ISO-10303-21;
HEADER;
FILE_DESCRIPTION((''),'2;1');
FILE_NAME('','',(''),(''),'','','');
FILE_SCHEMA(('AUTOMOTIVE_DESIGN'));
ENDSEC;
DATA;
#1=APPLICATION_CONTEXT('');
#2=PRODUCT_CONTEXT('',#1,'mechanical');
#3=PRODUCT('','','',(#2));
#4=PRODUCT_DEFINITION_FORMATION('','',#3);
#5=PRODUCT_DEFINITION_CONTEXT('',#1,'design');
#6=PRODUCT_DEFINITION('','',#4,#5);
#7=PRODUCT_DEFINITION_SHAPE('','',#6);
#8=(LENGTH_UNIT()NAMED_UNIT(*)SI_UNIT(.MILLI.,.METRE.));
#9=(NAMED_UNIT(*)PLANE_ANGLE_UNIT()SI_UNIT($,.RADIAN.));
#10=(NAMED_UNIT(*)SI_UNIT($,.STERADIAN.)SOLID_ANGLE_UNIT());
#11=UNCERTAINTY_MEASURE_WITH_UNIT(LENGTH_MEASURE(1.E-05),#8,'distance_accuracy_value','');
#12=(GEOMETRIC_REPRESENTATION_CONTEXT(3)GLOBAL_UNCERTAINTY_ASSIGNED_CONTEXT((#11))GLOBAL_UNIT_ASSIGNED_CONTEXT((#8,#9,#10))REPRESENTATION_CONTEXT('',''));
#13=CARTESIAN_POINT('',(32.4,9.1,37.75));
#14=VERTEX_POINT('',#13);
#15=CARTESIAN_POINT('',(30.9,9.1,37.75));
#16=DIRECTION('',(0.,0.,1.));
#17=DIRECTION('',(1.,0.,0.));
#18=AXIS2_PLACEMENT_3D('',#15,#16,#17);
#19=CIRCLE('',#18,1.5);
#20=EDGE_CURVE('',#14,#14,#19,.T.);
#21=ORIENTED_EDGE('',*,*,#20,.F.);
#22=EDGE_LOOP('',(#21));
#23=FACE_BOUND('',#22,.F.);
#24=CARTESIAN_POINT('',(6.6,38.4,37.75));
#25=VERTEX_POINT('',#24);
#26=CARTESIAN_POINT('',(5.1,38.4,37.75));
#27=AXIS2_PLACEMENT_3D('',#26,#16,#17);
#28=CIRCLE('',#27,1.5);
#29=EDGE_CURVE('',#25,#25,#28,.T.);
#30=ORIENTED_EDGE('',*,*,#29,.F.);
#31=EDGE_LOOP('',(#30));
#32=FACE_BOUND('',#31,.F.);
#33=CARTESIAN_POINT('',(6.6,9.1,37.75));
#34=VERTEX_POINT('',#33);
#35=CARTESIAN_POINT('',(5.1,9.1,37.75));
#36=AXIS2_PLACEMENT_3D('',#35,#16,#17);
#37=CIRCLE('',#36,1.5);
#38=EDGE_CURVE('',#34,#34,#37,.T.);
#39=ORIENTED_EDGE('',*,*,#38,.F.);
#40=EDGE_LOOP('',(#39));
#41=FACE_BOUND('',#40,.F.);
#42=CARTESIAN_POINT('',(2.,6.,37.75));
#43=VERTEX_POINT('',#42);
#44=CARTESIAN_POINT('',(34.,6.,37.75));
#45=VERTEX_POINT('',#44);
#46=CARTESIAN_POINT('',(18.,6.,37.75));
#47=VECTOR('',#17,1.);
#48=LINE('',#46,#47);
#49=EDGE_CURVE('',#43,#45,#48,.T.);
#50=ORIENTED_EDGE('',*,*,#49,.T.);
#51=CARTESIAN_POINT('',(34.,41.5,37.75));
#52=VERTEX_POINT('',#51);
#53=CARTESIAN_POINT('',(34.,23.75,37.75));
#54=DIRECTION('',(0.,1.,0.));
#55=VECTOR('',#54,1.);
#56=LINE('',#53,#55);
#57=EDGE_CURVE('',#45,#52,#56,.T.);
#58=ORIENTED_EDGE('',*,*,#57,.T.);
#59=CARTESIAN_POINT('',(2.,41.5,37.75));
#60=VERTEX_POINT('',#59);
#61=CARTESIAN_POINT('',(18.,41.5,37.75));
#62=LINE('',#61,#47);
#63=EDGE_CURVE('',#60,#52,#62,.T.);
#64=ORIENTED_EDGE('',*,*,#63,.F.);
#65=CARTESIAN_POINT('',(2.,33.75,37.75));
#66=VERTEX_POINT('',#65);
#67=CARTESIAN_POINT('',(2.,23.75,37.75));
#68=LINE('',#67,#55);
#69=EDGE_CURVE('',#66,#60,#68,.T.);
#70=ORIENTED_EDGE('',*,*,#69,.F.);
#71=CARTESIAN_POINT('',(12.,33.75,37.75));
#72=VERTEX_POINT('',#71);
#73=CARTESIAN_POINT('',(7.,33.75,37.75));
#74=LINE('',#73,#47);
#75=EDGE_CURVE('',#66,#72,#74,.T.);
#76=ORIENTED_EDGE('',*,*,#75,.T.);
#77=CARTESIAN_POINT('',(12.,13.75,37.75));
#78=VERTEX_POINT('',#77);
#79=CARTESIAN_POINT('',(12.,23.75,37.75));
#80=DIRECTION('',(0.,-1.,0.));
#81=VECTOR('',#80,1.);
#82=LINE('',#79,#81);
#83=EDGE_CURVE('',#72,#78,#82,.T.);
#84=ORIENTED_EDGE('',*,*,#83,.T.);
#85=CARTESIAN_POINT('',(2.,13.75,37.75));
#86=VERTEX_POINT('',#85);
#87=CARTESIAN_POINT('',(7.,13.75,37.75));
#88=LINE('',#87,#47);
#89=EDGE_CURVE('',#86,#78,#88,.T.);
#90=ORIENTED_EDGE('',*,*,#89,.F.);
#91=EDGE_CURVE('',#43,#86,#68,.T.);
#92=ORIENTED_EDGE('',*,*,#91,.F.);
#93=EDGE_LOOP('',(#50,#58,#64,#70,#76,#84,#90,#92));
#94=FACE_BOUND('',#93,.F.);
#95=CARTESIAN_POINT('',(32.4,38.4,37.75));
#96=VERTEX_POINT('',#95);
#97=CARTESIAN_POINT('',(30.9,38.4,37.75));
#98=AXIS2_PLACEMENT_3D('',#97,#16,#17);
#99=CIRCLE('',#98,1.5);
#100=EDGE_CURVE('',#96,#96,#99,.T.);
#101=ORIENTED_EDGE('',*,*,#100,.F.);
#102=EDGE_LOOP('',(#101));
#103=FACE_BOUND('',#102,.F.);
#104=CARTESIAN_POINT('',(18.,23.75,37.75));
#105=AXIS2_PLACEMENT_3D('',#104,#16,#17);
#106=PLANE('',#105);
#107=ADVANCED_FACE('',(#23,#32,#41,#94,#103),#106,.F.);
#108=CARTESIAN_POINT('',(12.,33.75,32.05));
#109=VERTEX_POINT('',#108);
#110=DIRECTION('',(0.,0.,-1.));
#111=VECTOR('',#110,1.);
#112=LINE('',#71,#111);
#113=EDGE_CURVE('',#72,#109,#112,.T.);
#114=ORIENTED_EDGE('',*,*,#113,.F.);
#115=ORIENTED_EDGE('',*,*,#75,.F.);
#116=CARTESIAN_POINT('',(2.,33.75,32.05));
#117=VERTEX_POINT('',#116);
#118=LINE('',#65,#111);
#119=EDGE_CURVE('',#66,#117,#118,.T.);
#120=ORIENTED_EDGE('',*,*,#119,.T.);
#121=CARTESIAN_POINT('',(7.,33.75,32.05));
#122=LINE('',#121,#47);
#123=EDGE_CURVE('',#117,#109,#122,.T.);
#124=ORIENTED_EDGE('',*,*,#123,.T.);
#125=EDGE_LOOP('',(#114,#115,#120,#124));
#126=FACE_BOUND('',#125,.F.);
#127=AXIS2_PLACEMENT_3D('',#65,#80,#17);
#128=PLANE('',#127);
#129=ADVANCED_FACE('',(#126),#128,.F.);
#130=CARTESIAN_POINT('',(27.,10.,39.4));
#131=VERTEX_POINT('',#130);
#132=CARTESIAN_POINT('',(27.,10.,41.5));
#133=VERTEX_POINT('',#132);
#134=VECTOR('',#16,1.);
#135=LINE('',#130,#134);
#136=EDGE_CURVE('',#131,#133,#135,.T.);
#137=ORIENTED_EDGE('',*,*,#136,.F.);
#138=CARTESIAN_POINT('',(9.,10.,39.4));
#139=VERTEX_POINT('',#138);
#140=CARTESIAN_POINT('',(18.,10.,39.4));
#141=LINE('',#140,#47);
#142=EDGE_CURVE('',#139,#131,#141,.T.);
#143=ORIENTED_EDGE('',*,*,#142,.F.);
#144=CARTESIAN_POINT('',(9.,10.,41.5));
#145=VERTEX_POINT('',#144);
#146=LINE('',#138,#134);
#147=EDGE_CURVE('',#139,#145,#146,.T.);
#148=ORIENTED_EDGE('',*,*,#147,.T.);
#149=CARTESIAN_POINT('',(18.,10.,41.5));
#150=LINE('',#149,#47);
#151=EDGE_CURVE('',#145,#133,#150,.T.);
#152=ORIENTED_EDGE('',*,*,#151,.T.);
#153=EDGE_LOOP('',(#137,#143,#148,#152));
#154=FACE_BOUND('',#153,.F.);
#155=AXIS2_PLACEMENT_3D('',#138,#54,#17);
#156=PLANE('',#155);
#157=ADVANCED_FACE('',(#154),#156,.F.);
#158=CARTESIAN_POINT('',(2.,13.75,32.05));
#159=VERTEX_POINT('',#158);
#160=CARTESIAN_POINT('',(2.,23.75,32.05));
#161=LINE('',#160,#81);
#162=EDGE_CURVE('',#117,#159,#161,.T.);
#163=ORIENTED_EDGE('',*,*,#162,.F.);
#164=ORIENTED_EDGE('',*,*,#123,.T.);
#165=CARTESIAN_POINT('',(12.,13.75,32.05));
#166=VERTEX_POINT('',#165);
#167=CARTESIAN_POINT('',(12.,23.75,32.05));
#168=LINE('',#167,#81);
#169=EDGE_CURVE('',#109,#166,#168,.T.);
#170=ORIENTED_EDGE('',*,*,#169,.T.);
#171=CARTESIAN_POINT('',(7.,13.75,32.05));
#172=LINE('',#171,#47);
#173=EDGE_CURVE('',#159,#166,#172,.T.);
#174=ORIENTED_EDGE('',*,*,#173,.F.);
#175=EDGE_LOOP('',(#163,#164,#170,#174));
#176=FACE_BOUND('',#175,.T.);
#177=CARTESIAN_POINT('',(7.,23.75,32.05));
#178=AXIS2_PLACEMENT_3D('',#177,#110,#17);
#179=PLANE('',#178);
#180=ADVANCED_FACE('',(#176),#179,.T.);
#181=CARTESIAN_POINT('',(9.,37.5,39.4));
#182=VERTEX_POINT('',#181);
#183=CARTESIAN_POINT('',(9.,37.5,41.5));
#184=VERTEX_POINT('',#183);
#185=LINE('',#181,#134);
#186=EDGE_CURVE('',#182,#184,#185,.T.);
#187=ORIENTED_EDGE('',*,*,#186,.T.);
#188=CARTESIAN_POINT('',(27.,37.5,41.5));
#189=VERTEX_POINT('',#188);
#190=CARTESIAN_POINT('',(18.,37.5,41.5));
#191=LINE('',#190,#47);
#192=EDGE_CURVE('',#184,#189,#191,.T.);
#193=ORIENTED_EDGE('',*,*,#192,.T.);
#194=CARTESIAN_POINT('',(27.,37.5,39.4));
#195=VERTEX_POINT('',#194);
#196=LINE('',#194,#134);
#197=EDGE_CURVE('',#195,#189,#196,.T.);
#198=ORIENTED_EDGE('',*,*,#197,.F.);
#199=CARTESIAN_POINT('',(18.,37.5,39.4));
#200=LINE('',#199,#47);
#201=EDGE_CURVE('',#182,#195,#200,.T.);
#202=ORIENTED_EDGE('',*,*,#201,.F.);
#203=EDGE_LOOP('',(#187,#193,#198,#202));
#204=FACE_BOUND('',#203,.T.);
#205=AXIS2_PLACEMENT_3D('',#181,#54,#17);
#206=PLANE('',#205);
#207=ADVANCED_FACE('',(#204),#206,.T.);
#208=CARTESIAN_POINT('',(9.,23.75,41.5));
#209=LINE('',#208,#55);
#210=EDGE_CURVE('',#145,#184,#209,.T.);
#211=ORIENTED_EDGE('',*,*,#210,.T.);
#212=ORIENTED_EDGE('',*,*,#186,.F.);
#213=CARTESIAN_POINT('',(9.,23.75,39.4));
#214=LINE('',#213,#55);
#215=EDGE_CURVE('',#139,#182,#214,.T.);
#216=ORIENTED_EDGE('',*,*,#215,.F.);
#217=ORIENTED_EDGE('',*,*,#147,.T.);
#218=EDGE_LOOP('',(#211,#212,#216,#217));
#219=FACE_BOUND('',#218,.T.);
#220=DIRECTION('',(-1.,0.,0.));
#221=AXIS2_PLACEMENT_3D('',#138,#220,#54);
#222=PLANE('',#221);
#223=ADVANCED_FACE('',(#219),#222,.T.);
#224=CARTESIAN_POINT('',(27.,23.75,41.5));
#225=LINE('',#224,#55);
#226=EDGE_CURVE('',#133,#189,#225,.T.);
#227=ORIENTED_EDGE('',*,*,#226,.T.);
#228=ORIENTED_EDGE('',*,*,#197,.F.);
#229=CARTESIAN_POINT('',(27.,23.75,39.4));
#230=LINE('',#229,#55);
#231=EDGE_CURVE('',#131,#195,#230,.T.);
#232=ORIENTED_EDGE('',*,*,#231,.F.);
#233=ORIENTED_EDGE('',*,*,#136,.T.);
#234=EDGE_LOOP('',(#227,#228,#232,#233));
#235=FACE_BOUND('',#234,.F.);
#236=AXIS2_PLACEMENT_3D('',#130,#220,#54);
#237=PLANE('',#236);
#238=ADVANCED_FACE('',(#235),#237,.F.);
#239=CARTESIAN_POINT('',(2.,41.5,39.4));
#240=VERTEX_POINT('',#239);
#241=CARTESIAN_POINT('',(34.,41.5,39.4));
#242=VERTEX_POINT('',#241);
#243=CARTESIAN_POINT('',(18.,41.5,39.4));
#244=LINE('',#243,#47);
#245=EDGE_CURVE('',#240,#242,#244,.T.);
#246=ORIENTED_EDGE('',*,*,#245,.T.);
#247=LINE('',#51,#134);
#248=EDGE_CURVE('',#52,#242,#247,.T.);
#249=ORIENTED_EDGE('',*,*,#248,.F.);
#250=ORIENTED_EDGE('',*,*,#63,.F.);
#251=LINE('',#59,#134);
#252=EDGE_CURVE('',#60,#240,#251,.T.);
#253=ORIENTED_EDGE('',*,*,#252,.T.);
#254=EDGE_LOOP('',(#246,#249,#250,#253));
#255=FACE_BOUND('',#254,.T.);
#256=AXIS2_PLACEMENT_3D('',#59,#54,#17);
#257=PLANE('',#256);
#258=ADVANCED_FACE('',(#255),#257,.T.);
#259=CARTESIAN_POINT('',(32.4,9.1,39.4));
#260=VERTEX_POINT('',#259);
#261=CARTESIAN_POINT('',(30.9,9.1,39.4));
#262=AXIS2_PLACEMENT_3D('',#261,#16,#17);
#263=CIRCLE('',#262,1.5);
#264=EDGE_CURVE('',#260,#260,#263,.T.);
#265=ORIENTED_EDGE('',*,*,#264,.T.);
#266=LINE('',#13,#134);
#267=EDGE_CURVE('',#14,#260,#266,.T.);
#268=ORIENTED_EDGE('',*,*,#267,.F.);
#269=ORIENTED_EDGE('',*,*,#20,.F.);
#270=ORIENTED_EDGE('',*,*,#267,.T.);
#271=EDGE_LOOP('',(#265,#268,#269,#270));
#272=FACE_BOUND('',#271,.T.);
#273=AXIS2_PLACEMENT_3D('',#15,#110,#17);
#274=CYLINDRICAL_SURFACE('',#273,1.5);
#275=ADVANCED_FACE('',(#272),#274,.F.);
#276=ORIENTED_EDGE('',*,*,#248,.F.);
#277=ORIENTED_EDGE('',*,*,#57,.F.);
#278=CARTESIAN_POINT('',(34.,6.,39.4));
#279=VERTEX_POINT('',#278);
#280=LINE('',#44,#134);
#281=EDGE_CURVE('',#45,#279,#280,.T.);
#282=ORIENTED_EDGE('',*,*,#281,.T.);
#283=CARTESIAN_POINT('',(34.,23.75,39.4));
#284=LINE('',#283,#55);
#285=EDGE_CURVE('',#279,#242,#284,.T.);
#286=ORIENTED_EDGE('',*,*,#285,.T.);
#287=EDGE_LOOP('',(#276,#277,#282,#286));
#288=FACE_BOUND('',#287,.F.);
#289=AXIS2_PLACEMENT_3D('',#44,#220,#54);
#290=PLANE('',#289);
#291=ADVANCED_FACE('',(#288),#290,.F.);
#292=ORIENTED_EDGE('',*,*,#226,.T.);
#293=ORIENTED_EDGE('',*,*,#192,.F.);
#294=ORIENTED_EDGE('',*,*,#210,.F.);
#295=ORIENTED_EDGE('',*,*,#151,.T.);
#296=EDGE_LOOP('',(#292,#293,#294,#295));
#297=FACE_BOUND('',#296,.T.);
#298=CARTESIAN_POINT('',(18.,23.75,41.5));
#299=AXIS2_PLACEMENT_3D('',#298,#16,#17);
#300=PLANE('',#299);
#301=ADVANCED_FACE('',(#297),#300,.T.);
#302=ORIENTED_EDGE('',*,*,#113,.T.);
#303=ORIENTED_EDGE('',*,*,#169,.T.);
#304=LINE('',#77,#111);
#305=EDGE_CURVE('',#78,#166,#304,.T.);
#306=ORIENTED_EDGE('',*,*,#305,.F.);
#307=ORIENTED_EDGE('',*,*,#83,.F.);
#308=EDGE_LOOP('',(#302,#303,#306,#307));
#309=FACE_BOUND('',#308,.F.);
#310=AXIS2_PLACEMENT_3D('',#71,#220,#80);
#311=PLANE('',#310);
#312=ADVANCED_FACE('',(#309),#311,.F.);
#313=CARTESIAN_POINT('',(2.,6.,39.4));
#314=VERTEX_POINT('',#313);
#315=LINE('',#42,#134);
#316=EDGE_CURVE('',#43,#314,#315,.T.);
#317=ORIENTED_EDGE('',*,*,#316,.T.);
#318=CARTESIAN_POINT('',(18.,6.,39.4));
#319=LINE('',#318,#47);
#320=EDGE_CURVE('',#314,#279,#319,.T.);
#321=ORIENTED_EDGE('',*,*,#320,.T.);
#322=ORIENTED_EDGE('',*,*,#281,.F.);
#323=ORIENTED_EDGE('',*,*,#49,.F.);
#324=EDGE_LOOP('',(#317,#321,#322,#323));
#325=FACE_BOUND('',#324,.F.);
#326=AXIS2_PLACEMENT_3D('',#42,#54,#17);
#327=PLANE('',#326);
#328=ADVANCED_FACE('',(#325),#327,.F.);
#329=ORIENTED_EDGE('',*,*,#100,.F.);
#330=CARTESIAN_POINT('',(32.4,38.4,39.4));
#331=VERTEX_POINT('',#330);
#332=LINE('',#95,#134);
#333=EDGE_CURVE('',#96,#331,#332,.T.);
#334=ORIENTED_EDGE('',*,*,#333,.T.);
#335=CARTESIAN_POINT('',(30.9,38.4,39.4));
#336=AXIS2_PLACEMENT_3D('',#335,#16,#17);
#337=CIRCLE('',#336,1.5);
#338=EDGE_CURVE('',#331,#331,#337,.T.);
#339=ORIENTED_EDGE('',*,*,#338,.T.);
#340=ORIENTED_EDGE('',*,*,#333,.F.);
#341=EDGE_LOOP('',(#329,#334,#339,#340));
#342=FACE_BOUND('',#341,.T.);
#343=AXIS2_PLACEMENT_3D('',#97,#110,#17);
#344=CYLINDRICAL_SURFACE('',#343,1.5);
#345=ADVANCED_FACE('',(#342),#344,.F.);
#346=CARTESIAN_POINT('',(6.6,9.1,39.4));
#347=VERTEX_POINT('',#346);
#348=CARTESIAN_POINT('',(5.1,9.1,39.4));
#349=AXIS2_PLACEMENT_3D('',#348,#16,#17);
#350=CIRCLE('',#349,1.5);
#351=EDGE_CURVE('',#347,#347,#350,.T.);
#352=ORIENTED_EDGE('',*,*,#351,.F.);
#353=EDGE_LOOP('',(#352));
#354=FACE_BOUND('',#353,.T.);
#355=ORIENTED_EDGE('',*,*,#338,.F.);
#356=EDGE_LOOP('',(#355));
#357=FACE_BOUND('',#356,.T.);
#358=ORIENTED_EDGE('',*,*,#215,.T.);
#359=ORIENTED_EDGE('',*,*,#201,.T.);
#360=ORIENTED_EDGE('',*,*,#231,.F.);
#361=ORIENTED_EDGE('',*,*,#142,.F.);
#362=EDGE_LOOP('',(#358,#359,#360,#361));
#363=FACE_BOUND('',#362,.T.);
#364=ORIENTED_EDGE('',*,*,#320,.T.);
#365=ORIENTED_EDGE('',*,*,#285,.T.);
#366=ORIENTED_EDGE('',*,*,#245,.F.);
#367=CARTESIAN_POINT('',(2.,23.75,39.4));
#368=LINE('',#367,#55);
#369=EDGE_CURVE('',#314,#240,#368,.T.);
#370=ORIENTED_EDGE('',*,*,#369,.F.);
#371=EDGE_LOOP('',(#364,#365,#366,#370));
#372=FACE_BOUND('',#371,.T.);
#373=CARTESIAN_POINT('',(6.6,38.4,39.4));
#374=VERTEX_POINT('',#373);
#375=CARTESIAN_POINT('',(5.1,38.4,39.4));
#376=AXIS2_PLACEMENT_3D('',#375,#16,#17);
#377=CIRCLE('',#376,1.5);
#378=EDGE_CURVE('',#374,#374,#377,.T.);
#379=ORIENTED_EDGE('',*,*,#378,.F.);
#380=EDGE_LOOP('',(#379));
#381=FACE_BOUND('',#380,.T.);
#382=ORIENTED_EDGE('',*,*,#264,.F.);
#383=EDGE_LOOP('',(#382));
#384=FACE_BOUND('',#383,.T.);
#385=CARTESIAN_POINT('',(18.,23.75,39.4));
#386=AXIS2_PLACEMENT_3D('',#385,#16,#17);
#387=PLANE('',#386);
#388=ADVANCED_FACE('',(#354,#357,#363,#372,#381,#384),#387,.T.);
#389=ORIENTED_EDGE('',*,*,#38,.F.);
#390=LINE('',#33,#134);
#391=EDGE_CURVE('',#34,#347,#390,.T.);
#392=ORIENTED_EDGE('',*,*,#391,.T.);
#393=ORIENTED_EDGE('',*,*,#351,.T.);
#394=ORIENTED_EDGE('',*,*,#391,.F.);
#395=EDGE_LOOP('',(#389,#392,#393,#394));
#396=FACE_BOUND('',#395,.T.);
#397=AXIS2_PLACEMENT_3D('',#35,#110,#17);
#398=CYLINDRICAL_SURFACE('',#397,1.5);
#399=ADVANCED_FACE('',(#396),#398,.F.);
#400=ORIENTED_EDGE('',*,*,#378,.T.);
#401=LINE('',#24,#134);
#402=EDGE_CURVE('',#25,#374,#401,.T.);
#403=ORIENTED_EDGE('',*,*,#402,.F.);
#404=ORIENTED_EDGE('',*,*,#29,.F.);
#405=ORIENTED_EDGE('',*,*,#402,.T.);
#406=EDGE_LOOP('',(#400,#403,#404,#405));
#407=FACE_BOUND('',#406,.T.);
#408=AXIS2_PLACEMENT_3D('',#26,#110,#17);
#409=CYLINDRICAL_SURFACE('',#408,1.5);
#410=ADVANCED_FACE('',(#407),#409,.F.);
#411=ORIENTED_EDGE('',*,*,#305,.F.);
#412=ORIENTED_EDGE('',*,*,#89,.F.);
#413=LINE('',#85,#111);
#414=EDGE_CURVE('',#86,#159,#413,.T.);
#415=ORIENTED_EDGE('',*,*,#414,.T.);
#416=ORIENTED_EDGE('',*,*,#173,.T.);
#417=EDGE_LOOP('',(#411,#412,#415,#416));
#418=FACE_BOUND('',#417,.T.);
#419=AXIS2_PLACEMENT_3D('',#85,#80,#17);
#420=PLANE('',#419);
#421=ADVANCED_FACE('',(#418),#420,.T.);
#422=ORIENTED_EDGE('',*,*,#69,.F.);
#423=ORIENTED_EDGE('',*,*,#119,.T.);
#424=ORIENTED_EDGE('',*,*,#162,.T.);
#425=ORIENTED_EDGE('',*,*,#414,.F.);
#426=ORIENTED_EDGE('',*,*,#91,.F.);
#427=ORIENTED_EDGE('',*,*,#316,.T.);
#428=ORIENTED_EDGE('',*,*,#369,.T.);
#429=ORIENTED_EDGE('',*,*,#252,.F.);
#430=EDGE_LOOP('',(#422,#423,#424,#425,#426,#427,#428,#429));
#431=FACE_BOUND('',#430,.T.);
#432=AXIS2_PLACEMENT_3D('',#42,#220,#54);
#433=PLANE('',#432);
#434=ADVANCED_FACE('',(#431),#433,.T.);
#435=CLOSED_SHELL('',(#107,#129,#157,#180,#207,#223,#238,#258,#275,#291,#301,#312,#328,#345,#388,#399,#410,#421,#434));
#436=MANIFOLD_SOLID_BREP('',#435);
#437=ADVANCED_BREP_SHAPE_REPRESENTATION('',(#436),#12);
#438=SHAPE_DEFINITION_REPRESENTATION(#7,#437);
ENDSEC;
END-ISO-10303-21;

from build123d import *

# Parameters (mm, degrees)
SKETCH042_W  = 32
SKETCH042_H  = 35.5
SKETCH042_R  = 1.5
PAD025_DEPTH = 1.65
SKETCH043_W  = 18
SKETCH043_H  = 27.5
PAD026_DEPTH = 2.1
SKETCH044_W  = 10
SKETCH044_H  = 20
PAD027_DEPTH = 5.7


with BuildPart() as part:
    # Sketch042 → Pad025 (new body)
    with BuildSketch(Plane.XY):
        with Locations((16, 17.75)):
            Rectangle(SKETCH042_W, SKETCH042_H)
        with Locations((3.1, 32.4)):
            Circle(SKETCH042_R, mode=Mode.SUBTRACT)
        with Locations((28.9, 32.4)):
            Circle(SKETCH042_R, mode=Mode.SUBTRACT)
        with Locations((28.9, 3.1)):
            Circle(SKETCH042_R, mode=Mode.SUBTRACT)
        with Locations((3.1, 3.1)):
            Circle(SKETCH042_R, mode=Mode.SUBTRACT)
    extrude(amount=PAD025_DEPTH)

    # Sketch043 (on Face10 of Pad025) → Pad026 (join)
    with BuildSketch(Plane.XY.offset(1.65)):
        with Locations((16, 17.75)):
            Rectangle(SKETCH043_W, SKETCH043_H)
    extrude(amount=PAD026_DEPTH)

    # Sketch044 (on Face4 of Pad026) → Pad027 (join)
    with BuildSketch(Plane(origin=(0, 0, 0), x_dir=(1, 0, 0), z_dir=(0, 0, -1))):
        with Locations((5, -17.75)):
            Rectangle(SKETCH044_W, SKETCH044_H)
    extrude(amount=PAD027_DEPTH)


with BuildPart() as part_1:
    # Body006 placement: moved
    add(part.part.moved(Location((2, 6, 37.75))))


solid = part_1.part
